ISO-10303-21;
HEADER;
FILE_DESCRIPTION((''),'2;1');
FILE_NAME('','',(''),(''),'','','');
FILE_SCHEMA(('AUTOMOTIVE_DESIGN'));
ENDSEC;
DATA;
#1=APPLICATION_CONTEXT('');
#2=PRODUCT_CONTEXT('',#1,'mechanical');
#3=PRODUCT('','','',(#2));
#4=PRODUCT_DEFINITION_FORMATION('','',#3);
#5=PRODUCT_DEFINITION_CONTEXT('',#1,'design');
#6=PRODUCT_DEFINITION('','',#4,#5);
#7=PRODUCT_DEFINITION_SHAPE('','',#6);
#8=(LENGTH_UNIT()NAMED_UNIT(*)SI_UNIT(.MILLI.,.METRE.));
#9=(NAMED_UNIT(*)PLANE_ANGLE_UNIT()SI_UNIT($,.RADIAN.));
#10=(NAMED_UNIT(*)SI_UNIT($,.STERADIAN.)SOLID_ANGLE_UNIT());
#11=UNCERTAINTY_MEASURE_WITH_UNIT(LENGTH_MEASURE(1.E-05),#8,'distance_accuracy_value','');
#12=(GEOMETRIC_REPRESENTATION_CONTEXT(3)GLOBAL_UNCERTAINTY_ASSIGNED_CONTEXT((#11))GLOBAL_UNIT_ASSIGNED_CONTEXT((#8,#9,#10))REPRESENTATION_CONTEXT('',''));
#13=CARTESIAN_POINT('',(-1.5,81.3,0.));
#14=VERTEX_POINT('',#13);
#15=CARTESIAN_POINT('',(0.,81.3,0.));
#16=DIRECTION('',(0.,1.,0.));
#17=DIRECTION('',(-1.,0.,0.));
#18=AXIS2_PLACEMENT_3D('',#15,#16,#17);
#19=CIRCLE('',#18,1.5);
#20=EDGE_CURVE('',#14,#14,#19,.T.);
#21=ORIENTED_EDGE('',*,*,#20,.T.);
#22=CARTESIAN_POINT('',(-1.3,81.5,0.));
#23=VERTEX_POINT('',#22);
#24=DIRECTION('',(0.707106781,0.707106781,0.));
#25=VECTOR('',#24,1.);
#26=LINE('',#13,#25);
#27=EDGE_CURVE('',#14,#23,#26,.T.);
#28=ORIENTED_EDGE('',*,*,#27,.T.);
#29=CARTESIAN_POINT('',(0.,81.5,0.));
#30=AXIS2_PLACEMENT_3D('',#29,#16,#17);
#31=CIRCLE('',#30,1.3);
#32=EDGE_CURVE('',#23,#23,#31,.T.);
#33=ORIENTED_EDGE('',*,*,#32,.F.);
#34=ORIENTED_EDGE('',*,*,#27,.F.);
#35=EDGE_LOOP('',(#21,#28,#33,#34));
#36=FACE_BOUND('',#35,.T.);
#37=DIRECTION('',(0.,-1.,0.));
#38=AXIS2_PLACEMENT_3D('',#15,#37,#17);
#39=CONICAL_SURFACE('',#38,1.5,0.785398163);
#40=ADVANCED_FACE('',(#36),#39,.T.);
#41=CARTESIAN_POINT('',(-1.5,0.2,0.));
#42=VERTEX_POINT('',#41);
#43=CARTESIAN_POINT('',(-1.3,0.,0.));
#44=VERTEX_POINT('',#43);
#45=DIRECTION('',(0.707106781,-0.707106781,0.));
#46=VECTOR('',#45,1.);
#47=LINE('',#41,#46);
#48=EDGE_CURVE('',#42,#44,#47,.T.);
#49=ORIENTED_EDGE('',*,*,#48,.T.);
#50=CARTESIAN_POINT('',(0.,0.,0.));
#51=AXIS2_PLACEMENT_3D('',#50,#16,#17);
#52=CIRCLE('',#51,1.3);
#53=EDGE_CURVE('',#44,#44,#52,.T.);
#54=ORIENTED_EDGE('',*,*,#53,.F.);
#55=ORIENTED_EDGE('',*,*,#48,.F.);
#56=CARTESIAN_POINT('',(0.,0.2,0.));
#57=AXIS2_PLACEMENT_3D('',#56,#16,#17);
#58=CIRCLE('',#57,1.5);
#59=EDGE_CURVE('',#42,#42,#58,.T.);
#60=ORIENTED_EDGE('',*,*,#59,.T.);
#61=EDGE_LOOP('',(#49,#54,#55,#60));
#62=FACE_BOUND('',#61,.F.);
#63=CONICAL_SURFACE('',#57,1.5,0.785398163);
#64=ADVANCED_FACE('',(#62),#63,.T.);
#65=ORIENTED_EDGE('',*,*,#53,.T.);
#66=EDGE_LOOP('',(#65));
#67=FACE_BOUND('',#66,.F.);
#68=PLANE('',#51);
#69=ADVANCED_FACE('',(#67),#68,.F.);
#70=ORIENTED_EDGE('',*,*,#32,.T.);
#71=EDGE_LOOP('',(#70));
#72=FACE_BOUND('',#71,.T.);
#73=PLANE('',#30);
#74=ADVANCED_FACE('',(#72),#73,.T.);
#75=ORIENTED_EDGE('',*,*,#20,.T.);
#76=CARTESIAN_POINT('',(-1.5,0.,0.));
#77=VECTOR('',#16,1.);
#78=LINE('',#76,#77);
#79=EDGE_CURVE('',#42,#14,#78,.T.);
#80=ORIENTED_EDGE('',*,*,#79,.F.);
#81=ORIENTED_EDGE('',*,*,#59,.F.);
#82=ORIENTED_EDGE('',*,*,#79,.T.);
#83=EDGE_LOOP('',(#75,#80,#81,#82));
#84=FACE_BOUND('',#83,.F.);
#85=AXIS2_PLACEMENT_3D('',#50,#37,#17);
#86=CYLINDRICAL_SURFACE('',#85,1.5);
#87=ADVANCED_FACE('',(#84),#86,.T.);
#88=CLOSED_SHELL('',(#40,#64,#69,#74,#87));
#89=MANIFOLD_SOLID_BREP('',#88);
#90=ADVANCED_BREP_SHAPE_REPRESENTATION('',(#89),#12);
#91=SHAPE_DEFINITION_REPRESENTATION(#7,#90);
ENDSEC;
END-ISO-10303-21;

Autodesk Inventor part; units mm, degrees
ref_plane "YZ Plane" through (0, 0, 0) normal (1, 0, 0) x (0, 1, 0)
ref_plane "XZ Plane" through (0, 0, 0) normal (0, 1, 0) x (-1, 0, 0)
ref_plane "XY Plane" through (0, 0, 0) normal (0, 0, 1) x (1, 0, 0)
sketch "Skizze1" plane through (0, 0, 0) normal (0, 1, 0) x (-1, 0, 0)
  circle A0 centre (0, 0) radius 1.5
  dimension "d0" = 3
extrude "Extrusion1" add sketch "Skizze1" along normal blind 81.5
thread "Gewinde1" size "M3x0.5" class "6g" standard "ANSI Metric M Profile" full length
chamfer "Fase1" distance 0.2 angle 45 2 edges at (1.5, 81.5, 0) (1.5, 0, 0)
properties part number "Gewindestange 81,5mm"
